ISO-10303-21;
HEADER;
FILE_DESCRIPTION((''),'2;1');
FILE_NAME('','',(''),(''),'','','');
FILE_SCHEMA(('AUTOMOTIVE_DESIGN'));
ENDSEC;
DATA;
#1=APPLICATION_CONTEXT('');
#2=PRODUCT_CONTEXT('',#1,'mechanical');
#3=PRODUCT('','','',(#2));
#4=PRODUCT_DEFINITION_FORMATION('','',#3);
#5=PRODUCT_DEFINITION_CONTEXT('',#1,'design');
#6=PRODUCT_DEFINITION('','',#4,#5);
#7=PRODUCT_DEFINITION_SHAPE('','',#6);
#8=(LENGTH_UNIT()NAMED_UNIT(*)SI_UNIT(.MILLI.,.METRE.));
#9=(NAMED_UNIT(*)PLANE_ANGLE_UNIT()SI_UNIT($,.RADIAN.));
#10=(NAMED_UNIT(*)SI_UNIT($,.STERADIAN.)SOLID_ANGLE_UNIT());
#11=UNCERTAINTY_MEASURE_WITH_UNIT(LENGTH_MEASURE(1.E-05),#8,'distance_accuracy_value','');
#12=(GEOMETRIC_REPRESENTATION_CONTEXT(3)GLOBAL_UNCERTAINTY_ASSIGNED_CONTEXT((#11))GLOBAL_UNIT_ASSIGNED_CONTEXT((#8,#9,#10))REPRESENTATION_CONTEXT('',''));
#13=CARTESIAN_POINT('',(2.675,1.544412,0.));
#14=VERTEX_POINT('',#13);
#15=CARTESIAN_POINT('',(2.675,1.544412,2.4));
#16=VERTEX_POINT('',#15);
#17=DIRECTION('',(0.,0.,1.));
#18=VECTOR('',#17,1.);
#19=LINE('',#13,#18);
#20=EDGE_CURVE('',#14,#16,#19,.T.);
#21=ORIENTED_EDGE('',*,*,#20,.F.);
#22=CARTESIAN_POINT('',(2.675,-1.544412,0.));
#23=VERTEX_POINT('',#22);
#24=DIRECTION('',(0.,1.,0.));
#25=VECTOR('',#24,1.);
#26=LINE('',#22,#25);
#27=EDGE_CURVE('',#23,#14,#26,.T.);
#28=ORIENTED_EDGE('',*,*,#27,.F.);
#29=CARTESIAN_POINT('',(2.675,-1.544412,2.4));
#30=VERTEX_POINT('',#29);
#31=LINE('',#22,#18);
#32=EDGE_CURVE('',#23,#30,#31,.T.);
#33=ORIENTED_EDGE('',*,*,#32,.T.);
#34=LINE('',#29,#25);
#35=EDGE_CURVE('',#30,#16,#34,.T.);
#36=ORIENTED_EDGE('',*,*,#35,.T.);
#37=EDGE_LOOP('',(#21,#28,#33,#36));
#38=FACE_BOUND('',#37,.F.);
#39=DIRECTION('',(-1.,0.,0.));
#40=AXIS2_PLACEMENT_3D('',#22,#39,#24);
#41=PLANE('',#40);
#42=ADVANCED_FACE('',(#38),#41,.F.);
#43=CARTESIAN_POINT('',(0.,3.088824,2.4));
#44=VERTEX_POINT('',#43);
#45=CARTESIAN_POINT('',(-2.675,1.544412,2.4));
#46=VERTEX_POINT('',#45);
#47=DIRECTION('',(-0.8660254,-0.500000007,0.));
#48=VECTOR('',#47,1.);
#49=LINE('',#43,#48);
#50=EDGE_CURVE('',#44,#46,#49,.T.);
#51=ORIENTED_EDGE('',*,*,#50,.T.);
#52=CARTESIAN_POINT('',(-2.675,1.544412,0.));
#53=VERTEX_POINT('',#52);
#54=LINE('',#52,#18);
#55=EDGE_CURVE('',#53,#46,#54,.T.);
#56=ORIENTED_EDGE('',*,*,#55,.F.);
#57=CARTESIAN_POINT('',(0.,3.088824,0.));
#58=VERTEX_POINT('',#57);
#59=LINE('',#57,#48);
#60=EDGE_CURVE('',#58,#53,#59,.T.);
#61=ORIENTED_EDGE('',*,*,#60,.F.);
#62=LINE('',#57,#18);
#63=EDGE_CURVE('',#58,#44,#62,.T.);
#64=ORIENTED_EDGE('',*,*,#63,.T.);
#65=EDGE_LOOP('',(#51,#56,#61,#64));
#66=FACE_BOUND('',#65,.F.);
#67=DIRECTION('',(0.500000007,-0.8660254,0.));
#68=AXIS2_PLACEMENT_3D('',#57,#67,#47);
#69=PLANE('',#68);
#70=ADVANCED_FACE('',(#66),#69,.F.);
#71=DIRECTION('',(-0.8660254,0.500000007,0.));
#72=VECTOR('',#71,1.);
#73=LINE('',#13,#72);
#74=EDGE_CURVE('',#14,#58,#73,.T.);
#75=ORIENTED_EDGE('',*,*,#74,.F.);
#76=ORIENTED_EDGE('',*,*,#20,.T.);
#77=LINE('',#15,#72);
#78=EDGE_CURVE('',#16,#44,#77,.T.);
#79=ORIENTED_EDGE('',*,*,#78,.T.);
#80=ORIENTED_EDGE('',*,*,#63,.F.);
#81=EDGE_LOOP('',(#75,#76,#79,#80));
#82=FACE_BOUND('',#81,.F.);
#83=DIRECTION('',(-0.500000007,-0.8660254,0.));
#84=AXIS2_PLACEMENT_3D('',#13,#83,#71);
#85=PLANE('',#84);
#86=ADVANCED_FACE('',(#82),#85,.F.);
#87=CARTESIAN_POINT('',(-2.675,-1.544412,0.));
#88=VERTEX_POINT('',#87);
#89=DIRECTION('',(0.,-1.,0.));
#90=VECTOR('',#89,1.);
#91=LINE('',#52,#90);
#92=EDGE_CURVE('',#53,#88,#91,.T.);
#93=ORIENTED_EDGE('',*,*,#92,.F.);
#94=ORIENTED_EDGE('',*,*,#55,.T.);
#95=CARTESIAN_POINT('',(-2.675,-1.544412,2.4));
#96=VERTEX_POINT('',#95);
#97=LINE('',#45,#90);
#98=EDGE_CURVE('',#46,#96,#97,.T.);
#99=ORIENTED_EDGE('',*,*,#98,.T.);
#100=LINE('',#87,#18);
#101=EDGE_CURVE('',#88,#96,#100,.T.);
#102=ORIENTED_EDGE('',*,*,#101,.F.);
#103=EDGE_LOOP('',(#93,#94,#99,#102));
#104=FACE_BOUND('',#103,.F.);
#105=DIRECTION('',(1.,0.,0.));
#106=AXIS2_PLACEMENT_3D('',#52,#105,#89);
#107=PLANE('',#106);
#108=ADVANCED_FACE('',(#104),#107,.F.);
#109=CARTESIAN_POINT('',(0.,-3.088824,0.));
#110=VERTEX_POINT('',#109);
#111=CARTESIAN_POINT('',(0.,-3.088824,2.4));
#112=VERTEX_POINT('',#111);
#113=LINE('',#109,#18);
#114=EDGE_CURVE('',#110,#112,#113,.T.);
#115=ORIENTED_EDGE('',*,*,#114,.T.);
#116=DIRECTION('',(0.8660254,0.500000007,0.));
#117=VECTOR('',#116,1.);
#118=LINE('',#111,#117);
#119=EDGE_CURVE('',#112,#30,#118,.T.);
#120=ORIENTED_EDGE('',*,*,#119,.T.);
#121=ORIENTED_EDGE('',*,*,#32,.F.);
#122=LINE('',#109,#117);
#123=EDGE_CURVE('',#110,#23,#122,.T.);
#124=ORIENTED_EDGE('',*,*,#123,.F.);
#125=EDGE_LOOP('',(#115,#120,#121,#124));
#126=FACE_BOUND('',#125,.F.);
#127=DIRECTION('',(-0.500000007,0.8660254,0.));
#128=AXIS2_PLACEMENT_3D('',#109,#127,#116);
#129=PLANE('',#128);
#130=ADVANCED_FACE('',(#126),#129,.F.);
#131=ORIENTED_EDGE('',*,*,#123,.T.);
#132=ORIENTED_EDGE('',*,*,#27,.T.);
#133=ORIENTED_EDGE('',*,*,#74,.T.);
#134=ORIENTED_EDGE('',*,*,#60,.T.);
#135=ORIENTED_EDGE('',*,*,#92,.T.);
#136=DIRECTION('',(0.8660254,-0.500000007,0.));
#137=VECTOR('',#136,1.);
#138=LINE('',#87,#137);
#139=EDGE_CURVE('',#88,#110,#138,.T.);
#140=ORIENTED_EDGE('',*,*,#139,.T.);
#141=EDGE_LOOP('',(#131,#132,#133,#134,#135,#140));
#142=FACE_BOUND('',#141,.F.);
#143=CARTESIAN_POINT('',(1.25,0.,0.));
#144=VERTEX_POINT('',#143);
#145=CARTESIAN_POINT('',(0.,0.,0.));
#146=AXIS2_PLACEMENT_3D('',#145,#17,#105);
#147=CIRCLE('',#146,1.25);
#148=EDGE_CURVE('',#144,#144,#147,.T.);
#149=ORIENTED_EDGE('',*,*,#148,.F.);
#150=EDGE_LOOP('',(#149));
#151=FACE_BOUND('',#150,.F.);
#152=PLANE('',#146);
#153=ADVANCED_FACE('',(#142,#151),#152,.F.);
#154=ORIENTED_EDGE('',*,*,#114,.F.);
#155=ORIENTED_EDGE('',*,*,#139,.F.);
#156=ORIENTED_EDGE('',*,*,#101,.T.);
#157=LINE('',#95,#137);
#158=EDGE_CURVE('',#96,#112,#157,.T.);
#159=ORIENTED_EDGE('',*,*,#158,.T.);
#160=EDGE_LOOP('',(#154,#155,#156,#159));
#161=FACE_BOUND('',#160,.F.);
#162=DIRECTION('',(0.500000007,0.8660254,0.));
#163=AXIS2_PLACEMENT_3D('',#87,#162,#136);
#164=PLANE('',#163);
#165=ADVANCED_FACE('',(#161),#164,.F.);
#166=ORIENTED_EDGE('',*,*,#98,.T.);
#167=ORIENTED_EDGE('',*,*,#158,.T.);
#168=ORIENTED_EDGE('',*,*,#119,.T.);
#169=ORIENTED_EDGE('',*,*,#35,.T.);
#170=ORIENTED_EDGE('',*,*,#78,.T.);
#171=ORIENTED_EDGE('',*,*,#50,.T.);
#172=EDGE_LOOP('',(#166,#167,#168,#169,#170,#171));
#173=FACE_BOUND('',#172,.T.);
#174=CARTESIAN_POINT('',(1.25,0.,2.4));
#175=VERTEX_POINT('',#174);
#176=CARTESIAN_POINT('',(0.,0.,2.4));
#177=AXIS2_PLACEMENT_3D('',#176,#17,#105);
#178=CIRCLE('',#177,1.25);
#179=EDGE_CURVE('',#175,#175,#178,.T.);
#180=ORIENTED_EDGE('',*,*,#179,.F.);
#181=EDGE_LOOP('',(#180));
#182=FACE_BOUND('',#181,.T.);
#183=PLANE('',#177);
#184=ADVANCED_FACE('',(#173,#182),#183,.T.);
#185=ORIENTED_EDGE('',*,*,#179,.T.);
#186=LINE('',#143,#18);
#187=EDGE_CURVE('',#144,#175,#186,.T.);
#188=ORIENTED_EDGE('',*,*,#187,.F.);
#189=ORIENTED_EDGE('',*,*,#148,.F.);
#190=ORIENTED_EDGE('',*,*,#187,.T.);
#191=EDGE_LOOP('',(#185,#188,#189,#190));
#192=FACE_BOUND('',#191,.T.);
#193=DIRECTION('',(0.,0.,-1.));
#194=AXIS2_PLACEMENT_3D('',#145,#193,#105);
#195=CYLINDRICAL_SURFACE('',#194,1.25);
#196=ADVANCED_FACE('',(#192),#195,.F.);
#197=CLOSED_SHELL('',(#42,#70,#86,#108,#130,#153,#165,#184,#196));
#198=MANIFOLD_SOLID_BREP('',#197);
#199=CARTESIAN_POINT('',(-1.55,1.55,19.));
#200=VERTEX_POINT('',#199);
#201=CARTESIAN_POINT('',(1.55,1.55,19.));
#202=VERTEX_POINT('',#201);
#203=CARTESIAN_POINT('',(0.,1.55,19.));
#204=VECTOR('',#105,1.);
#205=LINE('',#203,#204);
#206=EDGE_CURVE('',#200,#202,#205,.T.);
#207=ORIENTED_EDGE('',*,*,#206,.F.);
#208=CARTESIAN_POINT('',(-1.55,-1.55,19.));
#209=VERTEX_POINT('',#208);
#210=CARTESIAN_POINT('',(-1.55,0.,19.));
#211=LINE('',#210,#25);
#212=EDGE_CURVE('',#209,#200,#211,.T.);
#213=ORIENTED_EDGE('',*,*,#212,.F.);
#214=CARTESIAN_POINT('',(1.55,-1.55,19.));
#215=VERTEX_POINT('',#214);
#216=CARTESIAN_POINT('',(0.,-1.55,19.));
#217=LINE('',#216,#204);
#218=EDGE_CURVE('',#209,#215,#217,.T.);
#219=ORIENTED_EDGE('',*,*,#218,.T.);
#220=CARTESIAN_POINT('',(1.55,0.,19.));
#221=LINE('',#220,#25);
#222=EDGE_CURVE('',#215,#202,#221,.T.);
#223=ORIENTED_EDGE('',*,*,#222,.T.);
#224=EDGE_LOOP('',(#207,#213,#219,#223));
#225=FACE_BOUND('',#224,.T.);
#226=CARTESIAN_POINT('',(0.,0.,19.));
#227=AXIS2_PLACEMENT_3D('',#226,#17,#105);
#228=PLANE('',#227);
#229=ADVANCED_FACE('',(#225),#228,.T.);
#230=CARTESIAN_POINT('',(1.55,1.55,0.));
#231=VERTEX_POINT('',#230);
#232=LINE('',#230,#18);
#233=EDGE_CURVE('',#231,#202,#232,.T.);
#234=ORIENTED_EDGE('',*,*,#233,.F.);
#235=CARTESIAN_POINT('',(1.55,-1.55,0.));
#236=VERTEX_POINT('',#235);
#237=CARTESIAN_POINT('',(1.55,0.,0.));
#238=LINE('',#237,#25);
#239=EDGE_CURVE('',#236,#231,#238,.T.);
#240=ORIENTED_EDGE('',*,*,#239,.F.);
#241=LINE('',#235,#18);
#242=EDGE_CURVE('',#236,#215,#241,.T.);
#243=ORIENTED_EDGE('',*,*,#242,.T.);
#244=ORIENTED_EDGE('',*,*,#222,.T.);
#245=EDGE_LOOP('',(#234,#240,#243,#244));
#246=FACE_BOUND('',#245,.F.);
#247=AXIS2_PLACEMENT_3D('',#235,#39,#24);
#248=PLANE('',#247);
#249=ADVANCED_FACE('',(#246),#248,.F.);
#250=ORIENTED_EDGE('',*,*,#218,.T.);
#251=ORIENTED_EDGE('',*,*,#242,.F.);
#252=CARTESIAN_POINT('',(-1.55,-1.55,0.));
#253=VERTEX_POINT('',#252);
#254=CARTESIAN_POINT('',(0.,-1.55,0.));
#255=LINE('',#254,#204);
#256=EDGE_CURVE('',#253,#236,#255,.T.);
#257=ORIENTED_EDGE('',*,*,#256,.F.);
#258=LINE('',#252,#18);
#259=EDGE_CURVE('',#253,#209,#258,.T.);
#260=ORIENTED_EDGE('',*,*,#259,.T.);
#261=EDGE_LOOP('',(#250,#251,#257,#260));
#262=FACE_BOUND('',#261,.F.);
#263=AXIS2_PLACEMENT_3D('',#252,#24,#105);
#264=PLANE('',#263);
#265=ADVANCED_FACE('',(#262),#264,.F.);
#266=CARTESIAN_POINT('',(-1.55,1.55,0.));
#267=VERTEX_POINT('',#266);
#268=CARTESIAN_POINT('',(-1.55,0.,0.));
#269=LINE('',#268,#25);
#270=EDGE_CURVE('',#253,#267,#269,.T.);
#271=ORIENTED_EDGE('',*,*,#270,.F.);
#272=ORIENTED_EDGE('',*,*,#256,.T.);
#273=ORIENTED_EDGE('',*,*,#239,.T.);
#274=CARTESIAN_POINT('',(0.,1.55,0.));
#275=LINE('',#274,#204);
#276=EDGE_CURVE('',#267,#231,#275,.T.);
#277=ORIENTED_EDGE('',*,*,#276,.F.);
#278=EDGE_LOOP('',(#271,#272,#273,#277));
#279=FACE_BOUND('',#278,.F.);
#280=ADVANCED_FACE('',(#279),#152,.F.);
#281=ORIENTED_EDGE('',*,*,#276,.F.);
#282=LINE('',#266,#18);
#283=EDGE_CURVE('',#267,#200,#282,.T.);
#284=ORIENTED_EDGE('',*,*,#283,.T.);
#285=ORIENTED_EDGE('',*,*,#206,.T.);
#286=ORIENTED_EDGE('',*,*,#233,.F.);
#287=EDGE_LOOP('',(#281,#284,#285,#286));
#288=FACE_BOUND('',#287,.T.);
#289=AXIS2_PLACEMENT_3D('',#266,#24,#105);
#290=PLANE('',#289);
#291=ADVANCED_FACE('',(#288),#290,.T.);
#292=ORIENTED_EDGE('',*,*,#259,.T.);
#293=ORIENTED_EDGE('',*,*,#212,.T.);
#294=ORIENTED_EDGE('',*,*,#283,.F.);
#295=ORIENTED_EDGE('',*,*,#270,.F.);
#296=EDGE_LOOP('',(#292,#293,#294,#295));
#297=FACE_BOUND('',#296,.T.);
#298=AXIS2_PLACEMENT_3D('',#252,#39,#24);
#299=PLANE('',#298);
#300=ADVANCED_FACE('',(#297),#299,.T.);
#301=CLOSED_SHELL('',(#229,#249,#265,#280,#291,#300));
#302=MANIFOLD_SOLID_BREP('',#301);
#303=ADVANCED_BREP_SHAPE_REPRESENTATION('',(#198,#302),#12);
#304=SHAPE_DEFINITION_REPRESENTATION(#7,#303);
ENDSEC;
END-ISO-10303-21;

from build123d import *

# Parameters (mm, degrees)
F0_W     = 3.1
F0_H     = 3.1
F1_DEPTH = 19
F2_R     = 1.25
F3_DEPTH = 2.4


with BuildPart() as f1:
    # F0 (on Top) → F1 (new body)
    with BuildSketch(Plane.XY):
        Rectangle(F0_W, F0_H)
    extrude(amount=F1_DEPTH)


with BuildPart() as f3:
    # F2 (on Top) → F3 (new body)
    with BuildSketch(Plane.XY):
        Polygon((0, -3.088824), (2.675, -1.544412), (2.675, 1.544412), (0, 3.088824), (-2.675, 1.544412), (-2.675, -1.544412), align=None)
        Circle(F2_R, mode=Mode.SUBTRACT)
    extrude(amount=F3_DEPTH)


solid = Compound([f1.part, f3.part])
